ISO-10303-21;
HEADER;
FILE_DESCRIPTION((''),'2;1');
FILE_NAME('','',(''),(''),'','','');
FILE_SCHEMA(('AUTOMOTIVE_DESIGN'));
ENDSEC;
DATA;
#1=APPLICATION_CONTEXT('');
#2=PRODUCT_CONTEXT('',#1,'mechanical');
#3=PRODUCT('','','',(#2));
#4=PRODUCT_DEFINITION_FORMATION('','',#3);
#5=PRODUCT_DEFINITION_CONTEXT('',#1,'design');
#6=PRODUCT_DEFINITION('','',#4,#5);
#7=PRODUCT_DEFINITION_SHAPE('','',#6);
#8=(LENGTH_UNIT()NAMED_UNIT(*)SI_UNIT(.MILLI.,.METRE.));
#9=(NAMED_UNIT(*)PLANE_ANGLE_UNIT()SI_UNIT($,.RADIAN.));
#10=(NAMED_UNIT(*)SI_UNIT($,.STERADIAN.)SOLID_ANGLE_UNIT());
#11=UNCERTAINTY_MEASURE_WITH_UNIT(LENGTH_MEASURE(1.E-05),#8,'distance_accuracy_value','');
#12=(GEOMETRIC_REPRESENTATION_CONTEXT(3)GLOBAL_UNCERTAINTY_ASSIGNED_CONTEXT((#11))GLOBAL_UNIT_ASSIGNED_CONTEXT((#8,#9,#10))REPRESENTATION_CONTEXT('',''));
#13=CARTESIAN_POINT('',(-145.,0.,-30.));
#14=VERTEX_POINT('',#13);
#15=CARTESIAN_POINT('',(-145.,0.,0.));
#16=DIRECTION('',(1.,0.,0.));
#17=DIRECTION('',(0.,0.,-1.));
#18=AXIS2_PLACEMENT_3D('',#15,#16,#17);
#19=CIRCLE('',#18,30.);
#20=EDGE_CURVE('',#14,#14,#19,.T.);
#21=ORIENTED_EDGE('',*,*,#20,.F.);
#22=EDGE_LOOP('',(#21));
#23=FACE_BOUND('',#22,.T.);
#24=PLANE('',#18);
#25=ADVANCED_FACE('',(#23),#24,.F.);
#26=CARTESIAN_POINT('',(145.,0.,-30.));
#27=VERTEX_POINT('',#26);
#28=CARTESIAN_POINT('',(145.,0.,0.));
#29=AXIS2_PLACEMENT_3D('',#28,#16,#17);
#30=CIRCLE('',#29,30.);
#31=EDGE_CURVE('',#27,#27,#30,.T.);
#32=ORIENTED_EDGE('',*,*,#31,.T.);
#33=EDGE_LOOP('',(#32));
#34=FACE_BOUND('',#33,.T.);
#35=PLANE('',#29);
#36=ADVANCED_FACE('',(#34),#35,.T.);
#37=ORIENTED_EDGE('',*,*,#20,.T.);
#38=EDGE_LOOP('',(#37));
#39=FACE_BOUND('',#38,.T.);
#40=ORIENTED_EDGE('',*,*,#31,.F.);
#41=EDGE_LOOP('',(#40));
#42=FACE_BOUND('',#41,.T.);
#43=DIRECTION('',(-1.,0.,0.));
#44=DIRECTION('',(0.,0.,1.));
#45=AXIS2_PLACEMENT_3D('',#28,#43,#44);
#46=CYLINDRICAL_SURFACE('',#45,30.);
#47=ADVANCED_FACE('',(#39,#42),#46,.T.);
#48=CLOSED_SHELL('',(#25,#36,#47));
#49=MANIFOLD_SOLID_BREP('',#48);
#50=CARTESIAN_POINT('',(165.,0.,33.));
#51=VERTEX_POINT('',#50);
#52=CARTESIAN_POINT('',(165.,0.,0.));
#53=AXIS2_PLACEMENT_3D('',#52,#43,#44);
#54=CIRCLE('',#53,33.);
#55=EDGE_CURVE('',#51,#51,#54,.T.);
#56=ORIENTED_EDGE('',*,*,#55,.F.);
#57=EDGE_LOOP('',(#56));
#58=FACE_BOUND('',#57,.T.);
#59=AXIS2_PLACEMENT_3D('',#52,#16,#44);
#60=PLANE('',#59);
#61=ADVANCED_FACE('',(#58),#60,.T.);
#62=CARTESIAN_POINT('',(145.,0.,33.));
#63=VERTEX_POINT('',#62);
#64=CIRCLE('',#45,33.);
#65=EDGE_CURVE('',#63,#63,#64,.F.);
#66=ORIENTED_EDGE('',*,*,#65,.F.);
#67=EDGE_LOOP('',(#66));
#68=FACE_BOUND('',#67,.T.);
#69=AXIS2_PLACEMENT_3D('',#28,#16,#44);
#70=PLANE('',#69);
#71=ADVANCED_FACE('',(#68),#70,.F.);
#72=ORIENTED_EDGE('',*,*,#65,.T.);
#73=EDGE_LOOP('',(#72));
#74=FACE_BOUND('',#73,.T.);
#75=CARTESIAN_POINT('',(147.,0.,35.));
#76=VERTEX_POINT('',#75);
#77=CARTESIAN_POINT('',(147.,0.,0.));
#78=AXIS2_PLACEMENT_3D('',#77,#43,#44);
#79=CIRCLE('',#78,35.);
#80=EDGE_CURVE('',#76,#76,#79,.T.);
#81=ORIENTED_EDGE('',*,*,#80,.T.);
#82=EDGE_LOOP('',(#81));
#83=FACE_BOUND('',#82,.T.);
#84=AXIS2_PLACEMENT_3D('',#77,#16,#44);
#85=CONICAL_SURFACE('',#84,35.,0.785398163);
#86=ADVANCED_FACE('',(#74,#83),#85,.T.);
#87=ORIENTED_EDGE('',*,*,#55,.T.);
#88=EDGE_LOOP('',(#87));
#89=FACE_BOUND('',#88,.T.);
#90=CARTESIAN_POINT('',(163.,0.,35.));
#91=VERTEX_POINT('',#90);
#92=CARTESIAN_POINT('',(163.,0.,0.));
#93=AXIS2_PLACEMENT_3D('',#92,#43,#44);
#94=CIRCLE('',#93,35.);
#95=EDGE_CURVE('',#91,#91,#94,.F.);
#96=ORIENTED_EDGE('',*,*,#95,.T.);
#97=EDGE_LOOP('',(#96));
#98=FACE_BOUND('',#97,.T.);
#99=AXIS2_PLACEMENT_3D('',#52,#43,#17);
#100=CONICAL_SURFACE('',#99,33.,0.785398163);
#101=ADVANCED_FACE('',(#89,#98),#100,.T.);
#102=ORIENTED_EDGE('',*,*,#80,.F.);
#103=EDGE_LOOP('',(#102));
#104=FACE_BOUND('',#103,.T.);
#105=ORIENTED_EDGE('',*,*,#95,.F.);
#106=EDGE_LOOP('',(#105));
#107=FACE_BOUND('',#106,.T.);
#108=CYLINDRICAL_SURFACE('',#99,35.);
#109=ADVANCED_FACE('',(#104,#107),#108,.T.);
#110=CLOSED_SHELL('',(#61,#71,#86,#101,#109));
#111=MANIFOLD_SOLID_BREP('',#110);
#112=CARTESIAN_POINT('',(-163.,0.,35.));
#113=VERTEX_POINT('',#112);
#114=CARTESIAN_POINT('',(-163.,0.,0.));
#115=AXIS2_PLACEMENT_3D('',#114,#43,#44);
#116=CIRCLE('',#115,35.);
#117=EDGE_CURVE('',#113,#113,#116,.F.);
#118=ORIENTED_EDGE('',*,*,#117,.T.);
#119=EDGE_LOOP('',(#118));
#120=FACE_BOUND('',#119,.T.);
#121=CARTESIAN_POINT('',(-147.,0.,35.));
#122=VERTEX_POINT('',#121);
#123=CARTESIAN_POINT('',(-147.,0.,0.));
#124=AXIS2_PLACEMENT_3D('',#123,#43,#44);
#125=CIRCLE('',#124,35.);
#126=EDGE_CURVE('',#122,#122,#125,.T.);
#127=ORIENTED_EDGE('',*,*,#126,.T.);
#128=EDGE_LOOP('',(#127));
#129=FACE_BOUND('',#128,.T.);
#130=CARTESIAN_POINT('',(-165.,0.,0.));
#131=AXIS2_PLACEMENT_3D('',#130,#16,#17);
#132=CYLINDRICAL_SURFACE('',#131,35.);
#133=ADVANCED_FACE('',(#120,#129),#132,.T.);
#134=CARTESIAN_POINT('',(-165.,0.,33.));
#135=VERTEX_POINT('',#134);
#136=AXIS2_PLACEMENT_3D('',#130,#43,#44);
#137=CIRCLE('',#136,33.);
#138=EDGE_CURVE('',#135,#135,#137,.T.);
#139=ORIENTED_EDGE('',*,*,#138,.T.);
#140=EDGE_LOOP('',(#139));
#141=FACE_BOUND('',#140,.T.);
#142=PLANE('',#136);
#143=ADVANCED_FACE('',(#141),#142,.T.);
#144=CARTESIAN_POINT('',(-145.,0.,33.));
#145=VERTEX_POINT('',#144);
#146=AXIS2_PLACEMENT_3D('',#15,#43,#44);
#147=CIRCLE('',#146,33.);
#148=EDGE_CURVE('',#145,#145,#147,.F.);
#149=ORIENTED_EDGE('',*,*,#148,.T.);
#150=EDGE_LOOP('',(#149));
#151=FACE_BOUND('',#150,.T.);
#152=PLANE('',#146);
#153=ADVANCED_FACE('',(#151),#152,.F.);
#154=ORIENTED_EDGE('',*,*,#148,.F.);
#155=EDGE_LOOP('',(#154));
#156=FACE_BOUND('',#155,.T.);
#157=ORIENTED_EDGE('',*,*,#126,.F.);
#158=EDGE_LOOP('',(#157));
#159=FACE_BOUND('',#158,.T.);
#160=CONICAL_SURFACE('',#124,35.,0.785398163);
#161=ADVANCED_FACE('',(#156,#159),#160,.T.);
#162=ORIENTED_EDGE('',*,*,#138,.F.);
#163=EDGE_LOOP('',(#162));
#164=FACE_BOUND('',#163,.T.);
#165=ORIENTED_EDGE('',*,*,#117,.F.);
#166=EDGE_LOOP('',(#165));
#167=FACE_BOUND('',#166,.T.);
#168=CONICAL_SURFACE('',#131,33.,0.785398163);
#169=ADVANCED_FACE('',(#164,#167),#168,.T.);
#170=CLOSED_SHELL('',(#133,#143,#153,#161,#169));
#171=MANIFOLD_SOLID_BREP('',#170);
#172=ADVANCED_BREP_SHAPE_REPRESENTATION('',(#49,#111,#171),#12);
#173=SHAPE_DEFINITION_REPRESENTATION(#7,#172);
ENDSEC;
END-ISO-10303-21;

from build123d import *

# Parameters (mm, degrees)
SKETCH1_R           = 30
BOSS_EXTRUDE1_DEPTH = 145
SKETCH2_R           = 35
BOSS_EXTRUDE2_DEPTH = 20
CHAMFER1_SIZE       = 2


with BuildPart() as part:
    # Sketch1 → Boss-Extrude1 (new, symmetric)
    with BuildSketch(Plane(origin=(0, 0, 0), x_dir=(0, 0, -1), z_dir=(1, 0, 0))):
        Circle(SKETCH1_R)
    extrude(amount=BOSS_EXTRUDE1_DEPTH, both=True)


with BuildPart() as body_2:
    # Sketch2 → Boss-Extrude2 (new body)
    with BuildSketch(Plane.ZY.offset(145)):
        Circle(SKETCH2_R)
    extrude(amount=BOSS_EXTRUDE2_DEPTH)

    # Chamfer1
    chamfer1_edges = [body_2.edges().sort_by_distance(p)[0] for p in [
        (-145, 0, -35),
        (-165, 0, -35),
    ]]
    chamfer(chamfer1_edges, length=CHAMFER1_SIZE)


with BuildPart() as body_3:
    # Mirror1: mirrored copy
    add(body_2.part.mirror(Plane(origin=(0, 0, 0), x_dir=(0, 0, 1), z_dir=(1, 0, 0))))


solid = Compound([part.part, body_2.part, body_3.part])
